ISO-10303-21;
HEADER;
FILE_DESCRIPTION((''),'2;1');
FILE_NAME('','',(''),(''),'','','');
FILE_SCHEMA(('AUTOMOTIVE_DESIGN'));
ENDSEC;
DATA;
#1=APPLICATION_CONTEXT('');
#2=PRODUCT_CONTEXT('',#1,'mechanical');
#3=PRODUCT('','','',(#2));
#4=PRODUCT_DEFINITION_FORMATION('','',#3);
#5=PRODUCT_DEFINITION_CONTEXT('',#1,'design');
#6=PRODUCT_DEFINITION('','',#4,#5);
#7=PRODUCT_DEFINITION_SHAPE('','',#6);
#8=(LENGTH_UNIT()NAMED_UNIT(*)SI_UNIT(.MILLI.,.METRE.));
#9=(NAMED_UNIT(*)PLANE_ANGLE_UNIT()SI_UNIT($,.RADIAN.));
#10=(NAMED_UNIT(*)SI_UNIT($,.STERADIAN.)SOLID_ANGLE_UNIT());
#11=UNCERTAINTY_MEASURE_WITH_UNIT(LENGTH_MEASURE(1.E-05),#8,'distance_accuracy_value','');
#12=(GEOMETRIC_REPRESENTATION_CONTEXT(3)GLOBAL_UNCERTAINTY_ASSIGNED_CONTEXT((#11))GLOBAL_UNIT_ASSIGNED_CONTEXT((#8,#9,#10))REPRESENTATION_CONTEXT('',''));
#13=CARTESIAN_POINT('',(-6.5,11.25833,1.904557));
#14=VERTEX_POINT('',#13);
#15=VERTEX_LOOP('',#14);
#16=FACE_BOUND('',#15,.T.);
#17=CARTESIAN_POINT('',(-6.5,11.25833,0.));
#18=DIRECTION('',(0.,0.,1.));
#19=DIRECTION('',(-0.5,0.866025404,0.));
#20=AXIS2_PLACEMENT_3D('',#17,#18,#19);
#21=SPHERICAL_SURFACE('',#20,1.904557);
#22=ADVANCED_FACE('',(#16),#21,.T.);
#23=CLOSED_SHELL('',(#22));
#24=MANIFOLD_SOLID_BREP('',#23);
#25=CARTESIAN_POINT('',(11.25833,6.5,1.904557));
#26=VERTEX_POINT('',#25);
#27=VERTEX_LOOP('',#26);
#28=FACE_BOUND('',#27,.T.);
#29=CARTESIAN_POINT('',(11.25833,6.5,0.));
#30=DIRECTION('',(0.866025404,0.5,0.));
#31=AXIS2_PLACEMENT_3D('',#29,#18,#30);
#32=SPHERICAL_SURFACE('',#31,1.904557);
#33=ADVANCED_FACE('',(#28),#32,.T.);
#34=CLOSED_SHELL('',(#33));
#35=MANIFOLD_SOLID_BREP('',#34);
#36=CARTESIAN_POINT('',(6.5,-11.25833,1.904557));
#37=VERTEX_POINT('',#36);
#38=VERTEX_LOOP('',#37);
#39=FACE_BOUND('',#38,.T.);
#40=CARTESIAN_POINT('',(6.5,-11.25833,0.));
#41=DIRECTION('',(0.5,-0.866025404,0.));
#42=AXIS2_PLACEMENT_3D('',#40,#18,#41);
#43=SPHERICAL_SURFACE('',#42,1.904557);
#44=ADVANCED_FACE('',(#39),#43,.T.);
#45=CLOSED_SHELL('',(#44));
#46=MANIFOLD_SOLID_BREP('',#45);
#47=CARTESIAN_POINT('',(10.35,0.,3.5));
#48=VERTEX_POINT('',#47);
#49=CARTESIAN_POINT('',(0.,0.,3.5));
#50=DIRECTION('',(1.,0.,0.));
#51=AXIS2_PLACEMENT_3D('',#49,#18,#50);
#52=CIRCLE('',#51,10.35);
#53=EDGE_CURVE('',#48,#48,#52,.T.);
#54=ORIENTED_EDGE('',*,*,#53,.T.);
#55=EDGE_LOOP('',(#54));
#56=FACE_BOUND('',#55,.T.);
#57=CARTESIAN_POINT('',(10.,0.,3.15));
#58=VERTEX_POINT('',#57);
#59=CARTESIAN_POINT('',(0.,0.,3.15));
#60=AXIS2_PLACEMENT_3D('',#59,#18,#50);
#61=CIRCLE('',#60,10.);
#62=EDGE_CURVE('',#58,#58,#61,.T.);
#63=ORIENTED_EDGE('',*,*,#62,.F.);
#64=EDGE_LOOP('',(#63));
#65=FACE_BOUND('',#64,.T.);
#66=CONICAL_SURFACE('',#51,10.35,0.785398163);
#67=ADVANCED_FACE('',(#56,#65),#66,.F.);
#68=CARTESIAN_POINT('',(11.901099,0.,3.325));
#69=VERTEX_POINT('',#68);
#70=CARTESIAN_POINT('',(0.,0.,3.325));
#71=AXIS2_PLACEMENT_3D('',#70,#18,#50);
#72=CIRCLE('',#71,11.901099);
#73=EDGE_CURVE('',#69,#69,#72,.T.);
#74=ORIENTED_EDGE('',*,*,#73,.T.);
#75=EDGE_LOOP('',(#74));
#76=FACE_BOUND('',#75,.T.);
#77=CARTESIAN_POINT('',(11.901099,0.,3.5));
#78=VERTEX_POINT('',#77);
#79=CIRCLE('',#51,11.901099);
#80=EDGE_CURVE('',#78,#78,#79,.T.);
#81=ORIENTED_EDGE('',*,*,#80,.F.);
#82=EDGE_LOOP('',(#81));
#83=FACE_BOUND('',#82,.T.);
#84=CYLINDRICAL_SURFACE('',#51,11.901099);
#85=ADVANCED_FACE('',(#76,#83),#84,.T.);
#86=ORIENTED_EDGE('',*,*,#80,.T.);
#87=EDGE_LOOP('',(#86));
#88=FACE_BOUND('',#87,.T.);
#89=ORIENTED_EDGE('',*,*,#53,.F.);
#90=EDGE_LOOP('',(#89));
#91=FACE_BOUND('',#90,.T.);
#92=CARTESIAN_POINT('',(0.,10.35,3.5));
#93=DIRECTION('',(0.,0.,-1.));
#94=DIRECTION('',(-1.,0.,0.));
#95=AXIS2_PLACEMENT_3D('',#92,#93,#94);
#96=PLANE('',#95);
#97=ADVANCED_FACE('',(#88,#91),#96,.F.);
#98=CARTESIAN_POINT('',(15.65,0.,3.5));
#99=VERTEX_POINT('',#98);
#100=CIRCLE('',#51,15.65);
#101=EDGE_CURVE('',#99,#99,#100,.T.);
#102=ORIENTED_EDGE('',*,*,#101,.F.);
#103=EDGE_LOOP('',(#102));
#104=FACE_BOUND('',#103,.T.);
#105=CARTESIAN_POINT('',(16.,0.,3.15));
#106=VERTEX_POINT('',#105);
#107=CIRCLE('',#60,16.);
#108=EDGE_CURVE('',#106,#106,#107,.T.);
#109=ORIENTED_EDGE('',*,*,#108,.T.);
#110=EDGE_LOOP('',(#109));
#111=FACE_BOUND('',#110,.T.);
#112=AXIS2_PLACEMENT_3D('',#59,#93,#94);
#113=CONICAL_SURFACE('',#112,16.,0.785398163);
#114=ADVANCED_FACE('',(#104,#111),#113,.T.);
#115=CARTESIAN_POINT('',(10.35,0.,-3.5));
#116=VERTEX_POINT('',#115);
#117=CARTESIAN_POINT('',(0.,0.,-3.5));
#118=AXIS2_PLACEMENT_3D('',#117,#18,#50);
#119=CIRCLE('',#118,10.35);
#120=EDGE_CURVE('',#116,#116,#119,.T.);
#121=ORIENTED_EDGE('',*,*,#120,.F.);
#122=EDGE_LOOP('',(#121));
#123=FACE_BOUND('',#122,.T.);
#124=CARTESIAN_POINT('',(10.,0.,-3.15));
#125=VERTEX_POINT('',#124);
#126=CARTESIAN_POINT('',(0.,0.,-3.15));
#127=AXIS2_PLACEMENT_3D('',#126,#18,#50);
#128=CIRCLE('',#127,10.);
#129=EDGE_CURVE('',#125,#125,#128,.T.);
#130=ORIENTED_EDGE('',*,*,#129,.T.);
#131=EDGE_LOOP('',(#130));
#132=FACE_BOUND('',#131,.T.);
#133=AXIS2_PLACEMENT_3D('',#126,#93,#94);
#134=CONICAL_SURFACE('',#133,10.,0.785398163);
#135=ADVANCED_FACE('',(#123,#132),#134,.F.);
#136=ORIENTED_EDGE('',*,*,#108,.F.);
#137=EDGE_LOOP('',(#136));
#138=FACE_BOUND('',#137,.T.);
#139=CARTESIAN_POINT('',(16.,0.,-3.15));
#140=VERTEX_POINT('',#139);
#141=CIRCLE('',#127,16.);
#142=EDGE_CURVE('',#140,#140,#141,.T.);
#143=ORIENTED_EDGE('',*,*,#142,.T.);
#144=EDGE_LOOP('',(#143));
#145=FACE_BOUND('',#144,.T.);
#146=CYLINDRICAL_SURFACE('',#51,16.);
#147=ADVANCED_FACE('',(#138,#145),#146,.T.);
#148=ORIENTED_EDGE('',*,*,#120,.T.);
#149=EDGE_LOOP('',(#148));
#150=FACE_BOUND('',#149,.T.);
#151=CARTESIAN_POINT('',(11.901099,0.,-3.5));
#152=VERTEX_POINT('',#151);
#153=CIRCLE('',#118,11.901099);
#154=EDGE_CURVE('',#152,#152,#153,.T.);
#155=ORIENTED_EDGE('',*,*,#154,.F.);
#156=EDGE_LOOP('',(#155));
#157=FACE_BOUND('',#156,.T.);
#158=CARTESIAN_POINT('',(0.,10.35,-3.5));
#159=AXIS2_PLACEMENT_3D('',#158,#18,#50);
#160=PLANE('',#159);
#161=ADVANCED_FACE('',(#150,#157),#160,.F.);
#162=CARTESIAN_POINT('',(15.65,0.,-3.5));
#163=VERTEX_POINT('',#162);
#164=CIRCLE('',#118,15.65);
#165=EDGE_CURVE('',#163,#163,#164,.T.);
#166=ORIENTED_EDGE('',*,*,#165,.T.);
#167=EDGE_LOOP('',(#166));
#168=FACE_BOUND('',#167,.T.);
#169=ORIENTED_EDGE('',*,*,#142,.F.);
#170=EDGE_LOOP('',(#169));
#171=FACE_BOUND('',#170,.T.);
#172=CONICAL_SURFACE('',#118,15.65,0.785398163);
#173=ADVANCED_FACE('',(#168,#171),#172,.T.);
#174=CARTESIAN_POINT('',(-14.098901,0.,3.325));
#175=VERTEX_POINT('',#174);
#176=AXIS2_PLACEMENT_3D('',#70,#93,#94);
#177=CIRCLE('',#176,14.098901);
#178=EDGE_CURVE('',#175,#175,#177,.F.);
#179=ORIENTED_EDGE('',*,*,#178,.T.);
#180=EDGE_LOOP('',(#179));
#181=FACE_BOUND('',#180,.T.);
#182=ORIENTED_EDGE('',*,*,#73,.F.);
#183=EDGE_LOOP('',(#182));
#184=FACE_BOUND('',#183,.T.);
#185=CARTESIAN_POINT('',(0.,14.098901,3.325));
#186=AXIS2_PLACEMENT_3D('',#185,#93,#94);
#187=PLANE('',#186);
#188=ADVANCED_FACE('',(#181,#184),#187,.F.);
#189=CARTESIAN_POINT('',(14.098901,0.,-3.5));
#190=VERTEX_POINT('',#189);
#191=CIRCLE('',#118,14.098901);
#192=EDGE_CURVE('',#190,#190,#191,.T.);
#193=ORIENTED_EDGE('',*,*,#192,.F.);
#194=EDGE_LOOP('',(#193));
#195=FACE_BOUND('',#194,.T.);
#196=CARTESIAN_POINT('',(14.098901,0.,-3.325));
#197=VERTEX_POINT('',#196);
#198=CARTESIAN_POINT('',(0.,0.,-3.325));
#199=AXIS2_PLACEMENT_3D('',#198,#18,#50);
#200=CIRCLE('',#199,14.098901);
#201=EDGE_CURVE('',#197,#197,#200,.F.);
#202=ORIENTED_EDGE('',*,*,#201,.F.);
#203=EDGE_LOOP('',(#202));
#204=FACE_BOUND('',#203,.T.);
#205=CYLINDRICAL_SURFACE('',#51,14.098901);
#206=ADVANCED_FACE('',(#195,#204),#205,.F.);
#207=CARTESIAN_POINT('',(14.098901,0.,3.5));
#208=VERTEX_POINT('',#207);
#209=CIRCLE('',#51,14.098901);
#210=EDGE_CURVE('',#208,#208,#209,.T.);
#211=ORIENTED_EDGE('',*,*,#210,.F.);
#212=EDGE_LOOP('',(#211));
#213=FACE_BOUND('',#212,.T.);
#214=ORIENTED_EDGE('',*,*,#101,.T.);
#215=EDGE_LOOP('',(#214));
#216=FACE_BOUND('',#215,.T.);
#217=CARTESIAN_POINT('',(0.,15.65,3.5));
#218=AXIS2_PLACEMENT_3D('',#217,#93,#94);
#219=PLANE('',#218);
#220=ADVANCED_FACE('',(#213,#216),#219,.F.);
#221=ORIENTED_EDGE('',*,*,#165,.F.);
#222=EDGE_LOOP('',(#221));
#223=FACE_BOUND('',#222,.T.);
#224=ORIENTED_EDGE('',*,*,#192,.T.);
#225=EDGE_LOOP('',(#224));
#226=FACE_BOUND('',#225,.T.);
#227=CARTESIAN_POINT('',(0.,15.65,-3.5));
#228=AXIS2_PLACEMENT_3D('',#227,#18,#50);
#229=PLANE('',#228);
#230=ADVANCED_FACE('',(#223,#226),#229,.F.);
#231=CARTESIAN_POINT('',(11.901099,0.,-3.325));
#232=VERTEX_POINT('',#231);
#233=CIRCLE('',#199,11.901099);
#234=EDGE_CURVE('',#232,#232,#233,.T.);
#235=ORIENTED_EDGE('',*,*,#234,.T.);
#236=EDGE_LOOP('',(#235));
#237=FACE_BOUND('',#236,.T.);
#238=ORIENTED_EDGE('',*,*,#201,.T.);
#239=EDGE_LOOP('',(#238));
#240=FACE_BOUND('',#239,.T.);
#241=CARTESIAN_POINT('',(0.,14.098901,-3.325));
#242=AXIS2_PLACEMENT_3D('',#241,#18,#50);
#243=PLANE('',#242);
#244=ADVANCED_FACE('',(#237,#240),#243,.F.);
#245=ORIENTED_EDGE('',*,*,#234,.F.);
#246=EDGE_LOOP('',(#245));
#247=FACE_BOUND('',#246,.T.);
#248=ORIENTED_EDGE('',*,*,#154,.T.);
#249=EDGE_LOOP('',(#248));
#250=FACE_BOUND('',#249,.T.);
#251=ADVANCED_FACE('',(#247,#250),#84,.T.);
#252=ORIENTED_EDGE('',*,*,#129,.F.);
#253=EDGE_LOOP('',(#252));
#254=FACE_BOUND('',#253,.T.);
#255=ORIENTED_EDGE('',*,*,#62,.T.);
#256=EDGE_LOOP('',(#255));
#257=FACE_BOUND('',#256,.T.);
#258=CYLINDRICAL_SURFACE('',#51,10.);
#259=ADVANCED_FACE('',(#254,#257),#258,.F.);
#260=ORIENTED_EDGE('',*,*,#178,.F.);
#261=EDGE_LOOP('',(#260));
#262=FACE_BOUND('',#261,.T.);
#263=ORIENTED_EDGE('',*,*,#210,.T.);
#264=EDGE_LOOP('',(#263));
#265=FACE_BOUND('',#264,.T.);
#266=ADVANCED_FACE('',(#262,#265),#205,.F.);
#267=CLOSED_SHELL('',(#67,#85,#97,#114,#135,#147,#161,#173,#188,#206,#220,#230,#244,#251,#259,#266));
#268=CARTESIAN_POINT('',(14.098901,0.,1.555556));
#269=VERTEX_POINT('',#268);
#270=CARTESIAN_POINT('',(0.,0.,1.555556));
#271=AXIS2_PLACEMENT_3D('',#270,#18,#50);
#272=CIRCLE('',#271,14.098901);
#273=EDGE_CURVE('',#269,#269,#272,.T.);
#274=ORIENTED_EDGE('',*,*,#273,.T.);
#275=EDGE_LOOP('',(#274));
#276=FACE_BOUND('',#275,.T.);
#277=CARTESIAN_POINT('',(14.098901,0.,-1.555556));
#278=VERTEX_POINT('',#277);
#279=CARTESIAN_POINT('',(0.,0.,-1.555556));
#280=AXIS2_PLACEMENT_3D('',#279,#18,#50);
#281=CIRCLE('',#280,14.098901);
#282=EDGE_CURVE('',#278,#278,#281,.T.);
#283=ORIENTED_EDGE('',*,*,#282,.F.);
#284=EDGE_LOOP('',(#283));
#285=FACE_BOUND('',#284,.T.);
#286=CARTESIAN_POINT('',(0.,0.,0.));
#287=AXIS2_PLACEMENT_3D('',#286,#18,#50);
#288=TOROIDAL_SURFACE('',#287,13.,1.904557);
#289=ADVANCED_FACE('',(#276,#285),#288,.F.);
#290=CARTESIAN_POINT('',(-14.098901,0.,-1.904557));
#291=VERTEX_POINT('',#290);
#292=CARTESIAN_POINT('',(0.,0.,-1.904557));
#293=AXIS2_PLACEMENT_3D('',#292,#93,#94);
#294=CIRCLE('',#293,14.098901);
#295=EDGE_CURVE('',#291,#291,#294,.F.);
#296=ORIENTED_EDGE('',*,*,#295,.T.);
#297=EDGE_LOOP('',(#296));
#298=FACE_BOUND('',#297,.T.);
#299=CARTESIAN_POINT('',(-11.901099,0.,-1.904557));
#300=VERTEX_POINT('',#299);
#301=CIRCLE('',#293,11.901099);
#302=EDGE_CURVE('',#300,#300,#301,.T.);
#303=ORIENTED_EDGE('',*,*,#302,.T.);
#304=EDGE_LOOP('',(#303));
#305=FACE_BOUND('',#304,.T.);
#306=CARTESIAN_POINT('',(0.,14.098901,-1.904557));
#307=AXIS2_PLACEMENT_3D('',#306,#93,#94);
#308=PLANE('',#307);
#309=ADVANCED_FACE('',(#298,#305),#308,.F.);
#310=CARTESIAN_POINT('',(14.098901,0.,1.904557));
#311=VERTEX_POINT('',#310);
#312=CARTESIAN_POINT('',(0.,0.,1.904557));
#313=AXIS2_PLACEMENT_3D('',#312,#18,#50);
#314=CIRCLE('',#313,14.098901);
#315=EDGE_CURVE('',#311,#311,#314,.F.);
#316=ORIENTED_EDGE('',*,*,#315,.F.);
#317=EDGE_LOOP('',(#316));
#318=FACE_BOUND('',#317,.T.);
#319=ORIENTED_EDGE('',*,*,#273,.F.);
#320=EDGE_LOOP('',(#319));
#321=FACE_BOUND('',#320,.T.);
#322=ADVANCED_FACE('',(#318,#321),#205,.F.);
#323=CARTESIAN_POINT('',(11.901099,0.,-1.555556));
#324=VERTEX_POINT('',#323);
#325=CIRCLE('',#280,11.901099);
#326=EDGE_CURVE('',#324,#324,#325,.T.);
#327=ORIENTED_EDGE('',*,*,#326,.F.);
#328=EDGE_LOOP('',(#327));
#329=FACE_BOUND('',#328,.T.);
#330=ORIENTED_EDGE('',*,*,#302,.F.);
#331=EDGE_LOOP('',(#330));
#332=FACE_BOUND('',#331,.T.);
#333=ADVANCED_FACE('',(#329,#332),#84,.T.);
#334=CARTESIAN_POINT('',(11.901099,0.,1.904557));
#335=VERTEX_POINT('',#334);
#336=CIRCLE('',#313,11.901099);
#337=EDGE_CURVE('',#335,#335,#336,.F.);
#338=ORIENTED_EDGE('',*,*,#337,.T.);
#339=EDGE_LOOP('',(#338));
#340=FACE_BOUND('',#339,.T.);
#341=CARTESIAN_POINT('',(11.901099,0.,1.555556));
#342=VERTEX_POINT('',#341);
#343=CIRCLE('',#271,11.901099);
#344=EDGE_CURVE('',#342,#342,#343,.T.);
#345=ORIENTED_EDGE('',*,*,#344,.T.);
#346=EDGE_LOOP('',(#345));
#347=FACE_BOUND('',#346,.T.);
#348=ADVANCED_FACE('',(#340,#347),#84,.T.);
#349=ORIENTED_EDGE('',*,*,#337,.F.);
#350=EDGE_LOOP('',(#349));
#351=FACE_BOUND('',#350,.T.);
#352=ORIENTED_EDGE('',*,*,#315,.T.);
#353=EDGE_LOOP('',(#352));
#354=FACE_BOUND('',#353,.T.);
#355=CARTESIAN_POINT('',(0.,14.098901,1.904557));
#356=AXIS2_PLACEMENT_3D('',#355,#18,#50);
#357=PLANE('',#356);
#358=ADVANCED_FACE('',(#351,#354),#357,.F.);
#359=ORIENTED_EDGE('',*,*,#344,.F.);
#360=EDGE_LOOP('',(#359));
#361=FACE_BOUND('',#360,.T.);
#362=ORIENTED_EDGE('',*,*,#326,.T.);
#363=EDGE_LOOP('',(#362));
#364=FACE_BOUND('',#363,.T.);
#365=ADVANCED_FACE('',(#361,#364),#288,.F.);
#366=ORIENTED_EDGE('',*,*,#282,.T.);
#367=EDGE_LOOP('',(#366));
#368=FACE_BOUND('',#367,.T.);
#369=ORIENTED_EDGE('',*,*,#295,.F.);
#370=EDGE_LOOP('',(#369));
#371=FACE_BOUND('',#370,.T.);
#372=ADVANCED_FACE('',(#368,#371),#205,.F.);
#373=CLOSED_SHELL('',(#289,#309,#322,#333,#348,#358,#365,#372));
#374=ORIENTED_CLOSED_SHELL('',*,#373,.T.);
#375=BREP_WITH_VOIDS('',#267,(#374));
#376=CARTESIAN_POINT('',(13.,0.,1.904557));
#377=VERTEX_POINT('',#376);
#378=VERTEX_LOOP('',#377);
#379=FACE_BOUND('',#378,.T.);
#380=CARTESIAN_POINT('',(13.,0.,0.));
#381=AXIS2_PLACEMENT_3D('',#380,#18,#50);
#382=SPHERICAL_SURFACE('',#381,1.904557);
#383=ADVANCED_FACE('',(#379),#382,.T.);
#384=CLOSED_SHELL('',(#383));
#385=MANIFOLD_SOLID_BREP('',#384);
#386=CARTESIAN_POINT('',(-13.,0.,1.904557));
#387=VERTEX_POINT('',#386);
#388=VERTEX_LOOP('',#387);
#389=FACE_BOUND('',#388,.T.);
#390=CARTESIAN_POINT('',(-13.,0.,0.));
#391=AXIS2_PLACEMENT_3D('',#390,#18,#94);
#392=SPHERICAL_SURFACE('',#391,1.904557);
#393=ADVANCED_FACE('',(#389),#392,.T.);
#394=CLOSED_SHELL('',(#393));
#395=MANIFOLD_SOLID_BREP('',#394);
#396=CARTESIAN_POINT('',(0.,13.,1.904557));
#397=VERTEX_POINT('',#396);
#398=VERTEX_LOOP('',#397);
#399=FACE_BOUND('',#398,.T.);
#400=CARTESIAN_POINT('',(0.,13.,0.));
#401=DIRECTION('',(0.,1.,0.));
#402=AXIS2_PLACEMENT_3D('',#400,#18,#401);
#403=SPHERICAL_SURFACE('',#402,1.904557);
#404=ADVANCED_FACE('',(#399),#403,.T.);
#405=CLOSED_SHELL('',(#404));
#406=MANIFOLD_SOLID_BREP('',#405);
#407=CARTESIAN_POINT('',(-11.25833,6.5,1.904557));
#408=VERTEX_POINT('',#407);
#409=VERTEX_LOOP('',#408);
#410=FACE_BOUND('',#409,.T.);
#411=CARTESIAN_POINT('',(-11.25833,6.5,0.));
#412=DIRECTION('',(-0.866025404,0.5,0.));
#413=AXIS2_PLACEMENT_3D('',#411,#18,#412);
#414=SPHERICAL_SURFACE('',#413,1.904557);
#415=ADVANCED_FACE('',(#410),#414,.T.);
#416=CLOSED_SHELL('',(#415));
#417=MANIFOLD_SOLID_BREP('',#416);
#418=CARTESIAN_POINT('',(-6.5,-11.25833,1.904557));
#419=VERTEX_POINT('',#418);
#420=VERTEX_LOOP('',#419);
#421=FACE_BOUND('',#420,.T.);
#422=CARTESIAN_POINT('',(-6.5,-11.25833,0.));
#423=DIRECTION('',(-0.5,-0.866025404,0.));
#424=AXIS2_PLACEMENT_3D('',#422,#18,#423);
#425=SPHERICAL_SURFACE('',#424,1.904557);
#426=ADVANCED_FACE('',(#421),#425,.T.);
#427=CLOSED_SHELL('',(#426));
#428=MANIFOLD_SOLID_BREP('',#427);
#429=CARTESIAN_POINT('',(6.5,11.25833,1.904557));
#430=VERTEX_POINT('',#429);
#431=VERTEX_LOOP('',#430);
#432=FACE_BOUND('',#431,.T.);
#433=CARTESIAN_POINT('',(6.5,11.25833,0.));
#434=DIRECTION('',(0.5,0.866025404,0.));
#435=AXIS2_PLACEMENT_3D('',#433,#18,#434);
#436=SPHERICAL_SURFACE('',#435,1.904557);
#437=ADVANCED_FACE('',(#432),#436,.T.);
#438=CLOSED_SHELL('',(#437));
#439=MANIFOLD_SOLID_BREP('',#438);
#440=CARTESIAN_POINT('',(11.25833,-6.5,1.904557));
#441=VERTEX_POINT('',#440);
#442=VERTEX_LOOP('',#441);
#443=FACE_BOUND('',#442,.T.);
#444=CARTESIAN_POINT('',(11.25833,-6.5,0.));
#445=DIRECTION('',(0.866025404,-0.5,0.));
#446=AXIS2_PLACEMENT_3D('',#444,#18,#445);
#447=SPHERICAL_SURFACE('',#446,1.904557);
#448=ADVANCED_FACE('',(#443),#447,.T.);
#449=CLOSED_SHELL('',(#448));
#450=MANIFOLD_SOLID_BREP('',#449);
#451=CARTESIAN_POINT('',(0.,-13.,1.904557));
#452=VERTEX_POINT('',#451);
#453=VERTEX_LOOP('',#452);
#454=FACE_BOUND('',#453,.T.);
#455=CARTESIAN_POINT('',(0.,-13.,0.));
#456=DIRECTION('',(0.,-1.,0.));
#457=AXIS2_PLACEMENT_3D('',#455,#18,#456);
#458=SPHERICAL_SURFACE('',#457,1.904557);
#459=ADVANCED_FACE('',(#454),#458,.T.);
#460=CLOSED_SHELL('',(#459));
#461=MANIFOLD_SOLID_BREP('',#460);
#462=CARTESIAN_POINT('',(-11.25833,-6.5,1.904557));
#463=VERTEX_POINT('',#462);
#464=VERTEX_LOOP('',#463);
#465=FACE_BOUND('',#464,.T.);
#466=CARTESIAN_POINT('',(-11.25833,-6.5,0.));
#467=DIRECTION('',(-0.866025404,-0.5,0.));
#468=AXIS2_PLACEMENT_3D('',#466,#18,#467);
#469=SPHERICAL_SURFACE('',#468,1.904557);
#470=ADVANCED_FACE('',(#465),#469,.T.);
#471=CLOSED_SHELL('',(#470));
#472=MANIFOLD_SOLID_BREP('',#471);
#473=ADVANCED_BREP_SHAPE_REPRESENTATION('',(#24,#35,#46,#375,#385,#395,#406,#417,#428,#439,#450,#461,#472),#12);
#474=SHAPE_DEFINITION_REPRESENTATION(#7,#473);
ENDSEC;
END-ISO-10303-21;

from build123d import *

# Parameters (mm, degrees)
CIRPATTERN1_COUNT = 12
SKETCH5_W         = 1.4204431718675923
SKETCH5_H         = 2.1978021978022024
SKETCH5_W_2       = 1.420443171867592


with BuildPart() as part:
    # Sketch6 → Revolve1 (revolve)
    with BuildSketch(Plane(origin=(0, 0, 0), x_dir=(0, 0, -1), z_dir=(1, 0, 0))):
        with BuildLine():
            Line((-3.4999999999999996, 15.650000000000004), (-3.4999999999999996, 14.098901098901106))
            Line((-3.4999999999999996, 14.098901098901106), (-1.5555555555555556, 14.098901098901106))
            ThreePointArc((-1.5555555555555556, 14.098901098901106), (1.2e-16, 14.904556828132419), (1.5555555555555556, 14.098901098901106))
            Line((1.5555555555555556, 14.098901098901106), (3.4999999999999996, 14.098901098901106))
            Line((3.4999999999999996, 14.098901098901106), (3.4999999999999996, 15.64999999999999))
            Line((3.4999999999999996, 15.64999999999999), (3.1499999999999972, 16))
            Line((3.1499999999999972, 16), (-3.1499999999999972, 15.999999999999993))
            Line((-3.1499999999999972, 15.999999999999993), (-3.4999999999999996, 15.650000000000004))
        make_face()
        with BuildLine():
            Line((-3.4999999999999996, 10.35000000000002), (-3.4999999999999996, 11.901098901098903))
            Line((-3.4999999999999996, 11.901098901098903), (-1.5555555555555556, 11.901098901098903))
            ThreePointArc((-1.5555555555555556, 11.901098901098903), (-3.1e-16, 11.095443171867592), (1.5555555555555556, 11.901098901098903))
            Line((1.5555555555555556, 11.901098901098903), (3.4999999999999996, 11.901098901098903))
            Line((3.4999999999999996, 11.901098901098903), (3.4999999999999996, 10.35000000000002))
            Line((3.4999999999999996, 10.35000000000002), (3.149999999999999, 10.000000000000009))
            Line((3.149999999999999, 10.000000000000009), (-3.149999999999999, 10.000000000000009))
            Line((-3.149999999999999, 10.000000000000009), (-3.4999999999999996, 10.35000000000002))
        make_face()
    revolve(axis=Axis((0, 0, 3.4999999999999996), (0, 0, -1)))



with BuildPart() as body_2:
    # Sketch4 → Revolve2 (revolve)
    with BuildSketch(Plane(origin=(0, 0, 0), x_dir=(0, 0, -1), z_dir=(1, 0, 0))):
        with BuildLine():
            Line((-1.9045568281324141, 13.000000000000005), (1.9045568281324141, 13.000000000000005))
            ThreePointArc((1.9045568281324141, 13.000000000000005), (1.2e-16, 14.904556828132419), (-1.9045568281324141, 13.000000000000005))
        make_face()
    revolve(axis=Axis((0, 13.000000000000005, 1.9045568281324141), (0, 0, -1)))


with BuildPart() as cirpattern1_1:
    # CirPattern1: pattern copy
    add(body_2.part.rotate(Axis((0, 0, -3.4999999999999996), (0, 0, 1)), 1 * 360 / CIRPATTERN1_COUNT))


with BuildPart() as cirpattern1_2:
    # CirPattern1: pattern copy
    add(body_2.part.rotate(Axis((0, 0, -3.4999999999999996), (0, 0, 1)), 2 * 360 / CIRPATTERN1_COUNT))


with BuildPart() as cirpattern1_3:
    # CirPattern1: pattern copy
    add(body_2.part.rotate(Axis((0, 0, -3.4999999999999996), (0, 0, 1)), 3 * 360 / CIRPATTERN1_COUNT))


with BuildPart() as cirpattern1_4:
    # CirPattern1: pattern copy
    add(body_2.part.rotate(Axis((0, 0, -3.4999999999999996), (0, 0, 1)), 4 * 360 / CIRPATTERN1_COUNT))


with BuildPart() as cirpattern1_5:
    # CirPattern1: pattern copy
    add(body_2.part.rotate(Axis((0, 0, -3.4999999999999996), (0, 0, 1)), 5 * 360 / CIRPATTERN1_COUNT))


with BuildPart() as cirpattern1_6:
    # CirPattern1: pattern copy
    add(body_2.part.rotate(Axis((0, 0, -3.4999999999999996), (0, 0, 1)), 6 * 360 / CIRPATTERN1_COUNT))


with BuildPart() as cirpattern1_7:
    # CirPattern1: pattern copy
    add(body_2.part.rotate(Axis((0, 0, -3.4999999999999996), (0, 0, 1)), 7 * 360 / CIRPATTERN1_COUNT))


with BuildPart() as cirpattern1_8:
    # CirPattern1: pattern copy
    add(body_2.part.rotate(Axis((0, 0, -3.4999999999999996), (0, 0, 1)), 8 * 360 / CIRPATTERN1_COUNT))


with BuildPart() as cirpattern1_9:
    # CirPattern1: pattern copy
    add(body_2.part.rotate(Axis((0, 0, -3.4999999999999996), (0, 0, 1)), 9 * 360 / CIRPATTERN1_COUNT))


with BuildPart() as cirpattern1_10:
    # CirPattern1: pattern copy
    add(body_2.part.rotate(Axis((0, 0, -3.4999999999999996), (0, 0, 1)), 10 * 360 / CIRPATTERN1_COUNT))


with BuildPart() as cirpattern1_11:
    # CirPattern1: pattern copy
    add(body_2.part.rotate(Axis((0, 0, -3.4999999999999996), (0, 0, 1)), 11 * 360 / CIRPATTERN1_COUNT))


with BuildPart() as part_1:
    add(part.part)

    add(body_2.part)  # Revolve3 merges body 2

    add(cirpattern1_1.part)  # Revolve3 merges CirPattern1_1

    add(cirpattern1_2.part)  # Revolve3 merges CirPattern1_2

    add(cirpattern1_3.part)  # Revolve3 merges CirPattern1_3

    add(cirpattern1_4.part)  # Revolve3 merges CirPattern1_4

    add(cirpattern1_5.part)  # Revolve3 merges CirPattern1_5

    add(cirpattern1_6.part)  # Revolve3 merges CirPattern1_6

    add(cirpattern1_7.part)  # Revolve3 merges CirPattern1_7

    add(cirpattern1_8.part)  # Revolve3 merges CirPattern1_8

    add(cirpattern1_9.part)  # Revolve3 merges CirPattern1_9

    add(cirpattern1_10.part)  # Revolve3 merges CirPattern1_10

    add(cirpattern1_11.part)  # Revolve3 merges CirPattern1_11
    # Sketch5 → Revolve3 (revolve)
    with BuildSketch(Plane(origin=(0, 0, 0), x_dir=(0, 0, -1), z_dir=(1, 0, 0))):
        with Locations((-2.614778414066209, 13.000000000000004)):
            Rectangle(SKETCH5_W, SKETCH5_H)
        with Locations((2.614778414066211, 13.000000000000004)):
            Rectangle(SKETCH5_W_2, SKETCH5_H)
    revolve(axis=Axis((0, 0, 3.4999999999999996), (0, 0, -1)))


solid = part_1.part
